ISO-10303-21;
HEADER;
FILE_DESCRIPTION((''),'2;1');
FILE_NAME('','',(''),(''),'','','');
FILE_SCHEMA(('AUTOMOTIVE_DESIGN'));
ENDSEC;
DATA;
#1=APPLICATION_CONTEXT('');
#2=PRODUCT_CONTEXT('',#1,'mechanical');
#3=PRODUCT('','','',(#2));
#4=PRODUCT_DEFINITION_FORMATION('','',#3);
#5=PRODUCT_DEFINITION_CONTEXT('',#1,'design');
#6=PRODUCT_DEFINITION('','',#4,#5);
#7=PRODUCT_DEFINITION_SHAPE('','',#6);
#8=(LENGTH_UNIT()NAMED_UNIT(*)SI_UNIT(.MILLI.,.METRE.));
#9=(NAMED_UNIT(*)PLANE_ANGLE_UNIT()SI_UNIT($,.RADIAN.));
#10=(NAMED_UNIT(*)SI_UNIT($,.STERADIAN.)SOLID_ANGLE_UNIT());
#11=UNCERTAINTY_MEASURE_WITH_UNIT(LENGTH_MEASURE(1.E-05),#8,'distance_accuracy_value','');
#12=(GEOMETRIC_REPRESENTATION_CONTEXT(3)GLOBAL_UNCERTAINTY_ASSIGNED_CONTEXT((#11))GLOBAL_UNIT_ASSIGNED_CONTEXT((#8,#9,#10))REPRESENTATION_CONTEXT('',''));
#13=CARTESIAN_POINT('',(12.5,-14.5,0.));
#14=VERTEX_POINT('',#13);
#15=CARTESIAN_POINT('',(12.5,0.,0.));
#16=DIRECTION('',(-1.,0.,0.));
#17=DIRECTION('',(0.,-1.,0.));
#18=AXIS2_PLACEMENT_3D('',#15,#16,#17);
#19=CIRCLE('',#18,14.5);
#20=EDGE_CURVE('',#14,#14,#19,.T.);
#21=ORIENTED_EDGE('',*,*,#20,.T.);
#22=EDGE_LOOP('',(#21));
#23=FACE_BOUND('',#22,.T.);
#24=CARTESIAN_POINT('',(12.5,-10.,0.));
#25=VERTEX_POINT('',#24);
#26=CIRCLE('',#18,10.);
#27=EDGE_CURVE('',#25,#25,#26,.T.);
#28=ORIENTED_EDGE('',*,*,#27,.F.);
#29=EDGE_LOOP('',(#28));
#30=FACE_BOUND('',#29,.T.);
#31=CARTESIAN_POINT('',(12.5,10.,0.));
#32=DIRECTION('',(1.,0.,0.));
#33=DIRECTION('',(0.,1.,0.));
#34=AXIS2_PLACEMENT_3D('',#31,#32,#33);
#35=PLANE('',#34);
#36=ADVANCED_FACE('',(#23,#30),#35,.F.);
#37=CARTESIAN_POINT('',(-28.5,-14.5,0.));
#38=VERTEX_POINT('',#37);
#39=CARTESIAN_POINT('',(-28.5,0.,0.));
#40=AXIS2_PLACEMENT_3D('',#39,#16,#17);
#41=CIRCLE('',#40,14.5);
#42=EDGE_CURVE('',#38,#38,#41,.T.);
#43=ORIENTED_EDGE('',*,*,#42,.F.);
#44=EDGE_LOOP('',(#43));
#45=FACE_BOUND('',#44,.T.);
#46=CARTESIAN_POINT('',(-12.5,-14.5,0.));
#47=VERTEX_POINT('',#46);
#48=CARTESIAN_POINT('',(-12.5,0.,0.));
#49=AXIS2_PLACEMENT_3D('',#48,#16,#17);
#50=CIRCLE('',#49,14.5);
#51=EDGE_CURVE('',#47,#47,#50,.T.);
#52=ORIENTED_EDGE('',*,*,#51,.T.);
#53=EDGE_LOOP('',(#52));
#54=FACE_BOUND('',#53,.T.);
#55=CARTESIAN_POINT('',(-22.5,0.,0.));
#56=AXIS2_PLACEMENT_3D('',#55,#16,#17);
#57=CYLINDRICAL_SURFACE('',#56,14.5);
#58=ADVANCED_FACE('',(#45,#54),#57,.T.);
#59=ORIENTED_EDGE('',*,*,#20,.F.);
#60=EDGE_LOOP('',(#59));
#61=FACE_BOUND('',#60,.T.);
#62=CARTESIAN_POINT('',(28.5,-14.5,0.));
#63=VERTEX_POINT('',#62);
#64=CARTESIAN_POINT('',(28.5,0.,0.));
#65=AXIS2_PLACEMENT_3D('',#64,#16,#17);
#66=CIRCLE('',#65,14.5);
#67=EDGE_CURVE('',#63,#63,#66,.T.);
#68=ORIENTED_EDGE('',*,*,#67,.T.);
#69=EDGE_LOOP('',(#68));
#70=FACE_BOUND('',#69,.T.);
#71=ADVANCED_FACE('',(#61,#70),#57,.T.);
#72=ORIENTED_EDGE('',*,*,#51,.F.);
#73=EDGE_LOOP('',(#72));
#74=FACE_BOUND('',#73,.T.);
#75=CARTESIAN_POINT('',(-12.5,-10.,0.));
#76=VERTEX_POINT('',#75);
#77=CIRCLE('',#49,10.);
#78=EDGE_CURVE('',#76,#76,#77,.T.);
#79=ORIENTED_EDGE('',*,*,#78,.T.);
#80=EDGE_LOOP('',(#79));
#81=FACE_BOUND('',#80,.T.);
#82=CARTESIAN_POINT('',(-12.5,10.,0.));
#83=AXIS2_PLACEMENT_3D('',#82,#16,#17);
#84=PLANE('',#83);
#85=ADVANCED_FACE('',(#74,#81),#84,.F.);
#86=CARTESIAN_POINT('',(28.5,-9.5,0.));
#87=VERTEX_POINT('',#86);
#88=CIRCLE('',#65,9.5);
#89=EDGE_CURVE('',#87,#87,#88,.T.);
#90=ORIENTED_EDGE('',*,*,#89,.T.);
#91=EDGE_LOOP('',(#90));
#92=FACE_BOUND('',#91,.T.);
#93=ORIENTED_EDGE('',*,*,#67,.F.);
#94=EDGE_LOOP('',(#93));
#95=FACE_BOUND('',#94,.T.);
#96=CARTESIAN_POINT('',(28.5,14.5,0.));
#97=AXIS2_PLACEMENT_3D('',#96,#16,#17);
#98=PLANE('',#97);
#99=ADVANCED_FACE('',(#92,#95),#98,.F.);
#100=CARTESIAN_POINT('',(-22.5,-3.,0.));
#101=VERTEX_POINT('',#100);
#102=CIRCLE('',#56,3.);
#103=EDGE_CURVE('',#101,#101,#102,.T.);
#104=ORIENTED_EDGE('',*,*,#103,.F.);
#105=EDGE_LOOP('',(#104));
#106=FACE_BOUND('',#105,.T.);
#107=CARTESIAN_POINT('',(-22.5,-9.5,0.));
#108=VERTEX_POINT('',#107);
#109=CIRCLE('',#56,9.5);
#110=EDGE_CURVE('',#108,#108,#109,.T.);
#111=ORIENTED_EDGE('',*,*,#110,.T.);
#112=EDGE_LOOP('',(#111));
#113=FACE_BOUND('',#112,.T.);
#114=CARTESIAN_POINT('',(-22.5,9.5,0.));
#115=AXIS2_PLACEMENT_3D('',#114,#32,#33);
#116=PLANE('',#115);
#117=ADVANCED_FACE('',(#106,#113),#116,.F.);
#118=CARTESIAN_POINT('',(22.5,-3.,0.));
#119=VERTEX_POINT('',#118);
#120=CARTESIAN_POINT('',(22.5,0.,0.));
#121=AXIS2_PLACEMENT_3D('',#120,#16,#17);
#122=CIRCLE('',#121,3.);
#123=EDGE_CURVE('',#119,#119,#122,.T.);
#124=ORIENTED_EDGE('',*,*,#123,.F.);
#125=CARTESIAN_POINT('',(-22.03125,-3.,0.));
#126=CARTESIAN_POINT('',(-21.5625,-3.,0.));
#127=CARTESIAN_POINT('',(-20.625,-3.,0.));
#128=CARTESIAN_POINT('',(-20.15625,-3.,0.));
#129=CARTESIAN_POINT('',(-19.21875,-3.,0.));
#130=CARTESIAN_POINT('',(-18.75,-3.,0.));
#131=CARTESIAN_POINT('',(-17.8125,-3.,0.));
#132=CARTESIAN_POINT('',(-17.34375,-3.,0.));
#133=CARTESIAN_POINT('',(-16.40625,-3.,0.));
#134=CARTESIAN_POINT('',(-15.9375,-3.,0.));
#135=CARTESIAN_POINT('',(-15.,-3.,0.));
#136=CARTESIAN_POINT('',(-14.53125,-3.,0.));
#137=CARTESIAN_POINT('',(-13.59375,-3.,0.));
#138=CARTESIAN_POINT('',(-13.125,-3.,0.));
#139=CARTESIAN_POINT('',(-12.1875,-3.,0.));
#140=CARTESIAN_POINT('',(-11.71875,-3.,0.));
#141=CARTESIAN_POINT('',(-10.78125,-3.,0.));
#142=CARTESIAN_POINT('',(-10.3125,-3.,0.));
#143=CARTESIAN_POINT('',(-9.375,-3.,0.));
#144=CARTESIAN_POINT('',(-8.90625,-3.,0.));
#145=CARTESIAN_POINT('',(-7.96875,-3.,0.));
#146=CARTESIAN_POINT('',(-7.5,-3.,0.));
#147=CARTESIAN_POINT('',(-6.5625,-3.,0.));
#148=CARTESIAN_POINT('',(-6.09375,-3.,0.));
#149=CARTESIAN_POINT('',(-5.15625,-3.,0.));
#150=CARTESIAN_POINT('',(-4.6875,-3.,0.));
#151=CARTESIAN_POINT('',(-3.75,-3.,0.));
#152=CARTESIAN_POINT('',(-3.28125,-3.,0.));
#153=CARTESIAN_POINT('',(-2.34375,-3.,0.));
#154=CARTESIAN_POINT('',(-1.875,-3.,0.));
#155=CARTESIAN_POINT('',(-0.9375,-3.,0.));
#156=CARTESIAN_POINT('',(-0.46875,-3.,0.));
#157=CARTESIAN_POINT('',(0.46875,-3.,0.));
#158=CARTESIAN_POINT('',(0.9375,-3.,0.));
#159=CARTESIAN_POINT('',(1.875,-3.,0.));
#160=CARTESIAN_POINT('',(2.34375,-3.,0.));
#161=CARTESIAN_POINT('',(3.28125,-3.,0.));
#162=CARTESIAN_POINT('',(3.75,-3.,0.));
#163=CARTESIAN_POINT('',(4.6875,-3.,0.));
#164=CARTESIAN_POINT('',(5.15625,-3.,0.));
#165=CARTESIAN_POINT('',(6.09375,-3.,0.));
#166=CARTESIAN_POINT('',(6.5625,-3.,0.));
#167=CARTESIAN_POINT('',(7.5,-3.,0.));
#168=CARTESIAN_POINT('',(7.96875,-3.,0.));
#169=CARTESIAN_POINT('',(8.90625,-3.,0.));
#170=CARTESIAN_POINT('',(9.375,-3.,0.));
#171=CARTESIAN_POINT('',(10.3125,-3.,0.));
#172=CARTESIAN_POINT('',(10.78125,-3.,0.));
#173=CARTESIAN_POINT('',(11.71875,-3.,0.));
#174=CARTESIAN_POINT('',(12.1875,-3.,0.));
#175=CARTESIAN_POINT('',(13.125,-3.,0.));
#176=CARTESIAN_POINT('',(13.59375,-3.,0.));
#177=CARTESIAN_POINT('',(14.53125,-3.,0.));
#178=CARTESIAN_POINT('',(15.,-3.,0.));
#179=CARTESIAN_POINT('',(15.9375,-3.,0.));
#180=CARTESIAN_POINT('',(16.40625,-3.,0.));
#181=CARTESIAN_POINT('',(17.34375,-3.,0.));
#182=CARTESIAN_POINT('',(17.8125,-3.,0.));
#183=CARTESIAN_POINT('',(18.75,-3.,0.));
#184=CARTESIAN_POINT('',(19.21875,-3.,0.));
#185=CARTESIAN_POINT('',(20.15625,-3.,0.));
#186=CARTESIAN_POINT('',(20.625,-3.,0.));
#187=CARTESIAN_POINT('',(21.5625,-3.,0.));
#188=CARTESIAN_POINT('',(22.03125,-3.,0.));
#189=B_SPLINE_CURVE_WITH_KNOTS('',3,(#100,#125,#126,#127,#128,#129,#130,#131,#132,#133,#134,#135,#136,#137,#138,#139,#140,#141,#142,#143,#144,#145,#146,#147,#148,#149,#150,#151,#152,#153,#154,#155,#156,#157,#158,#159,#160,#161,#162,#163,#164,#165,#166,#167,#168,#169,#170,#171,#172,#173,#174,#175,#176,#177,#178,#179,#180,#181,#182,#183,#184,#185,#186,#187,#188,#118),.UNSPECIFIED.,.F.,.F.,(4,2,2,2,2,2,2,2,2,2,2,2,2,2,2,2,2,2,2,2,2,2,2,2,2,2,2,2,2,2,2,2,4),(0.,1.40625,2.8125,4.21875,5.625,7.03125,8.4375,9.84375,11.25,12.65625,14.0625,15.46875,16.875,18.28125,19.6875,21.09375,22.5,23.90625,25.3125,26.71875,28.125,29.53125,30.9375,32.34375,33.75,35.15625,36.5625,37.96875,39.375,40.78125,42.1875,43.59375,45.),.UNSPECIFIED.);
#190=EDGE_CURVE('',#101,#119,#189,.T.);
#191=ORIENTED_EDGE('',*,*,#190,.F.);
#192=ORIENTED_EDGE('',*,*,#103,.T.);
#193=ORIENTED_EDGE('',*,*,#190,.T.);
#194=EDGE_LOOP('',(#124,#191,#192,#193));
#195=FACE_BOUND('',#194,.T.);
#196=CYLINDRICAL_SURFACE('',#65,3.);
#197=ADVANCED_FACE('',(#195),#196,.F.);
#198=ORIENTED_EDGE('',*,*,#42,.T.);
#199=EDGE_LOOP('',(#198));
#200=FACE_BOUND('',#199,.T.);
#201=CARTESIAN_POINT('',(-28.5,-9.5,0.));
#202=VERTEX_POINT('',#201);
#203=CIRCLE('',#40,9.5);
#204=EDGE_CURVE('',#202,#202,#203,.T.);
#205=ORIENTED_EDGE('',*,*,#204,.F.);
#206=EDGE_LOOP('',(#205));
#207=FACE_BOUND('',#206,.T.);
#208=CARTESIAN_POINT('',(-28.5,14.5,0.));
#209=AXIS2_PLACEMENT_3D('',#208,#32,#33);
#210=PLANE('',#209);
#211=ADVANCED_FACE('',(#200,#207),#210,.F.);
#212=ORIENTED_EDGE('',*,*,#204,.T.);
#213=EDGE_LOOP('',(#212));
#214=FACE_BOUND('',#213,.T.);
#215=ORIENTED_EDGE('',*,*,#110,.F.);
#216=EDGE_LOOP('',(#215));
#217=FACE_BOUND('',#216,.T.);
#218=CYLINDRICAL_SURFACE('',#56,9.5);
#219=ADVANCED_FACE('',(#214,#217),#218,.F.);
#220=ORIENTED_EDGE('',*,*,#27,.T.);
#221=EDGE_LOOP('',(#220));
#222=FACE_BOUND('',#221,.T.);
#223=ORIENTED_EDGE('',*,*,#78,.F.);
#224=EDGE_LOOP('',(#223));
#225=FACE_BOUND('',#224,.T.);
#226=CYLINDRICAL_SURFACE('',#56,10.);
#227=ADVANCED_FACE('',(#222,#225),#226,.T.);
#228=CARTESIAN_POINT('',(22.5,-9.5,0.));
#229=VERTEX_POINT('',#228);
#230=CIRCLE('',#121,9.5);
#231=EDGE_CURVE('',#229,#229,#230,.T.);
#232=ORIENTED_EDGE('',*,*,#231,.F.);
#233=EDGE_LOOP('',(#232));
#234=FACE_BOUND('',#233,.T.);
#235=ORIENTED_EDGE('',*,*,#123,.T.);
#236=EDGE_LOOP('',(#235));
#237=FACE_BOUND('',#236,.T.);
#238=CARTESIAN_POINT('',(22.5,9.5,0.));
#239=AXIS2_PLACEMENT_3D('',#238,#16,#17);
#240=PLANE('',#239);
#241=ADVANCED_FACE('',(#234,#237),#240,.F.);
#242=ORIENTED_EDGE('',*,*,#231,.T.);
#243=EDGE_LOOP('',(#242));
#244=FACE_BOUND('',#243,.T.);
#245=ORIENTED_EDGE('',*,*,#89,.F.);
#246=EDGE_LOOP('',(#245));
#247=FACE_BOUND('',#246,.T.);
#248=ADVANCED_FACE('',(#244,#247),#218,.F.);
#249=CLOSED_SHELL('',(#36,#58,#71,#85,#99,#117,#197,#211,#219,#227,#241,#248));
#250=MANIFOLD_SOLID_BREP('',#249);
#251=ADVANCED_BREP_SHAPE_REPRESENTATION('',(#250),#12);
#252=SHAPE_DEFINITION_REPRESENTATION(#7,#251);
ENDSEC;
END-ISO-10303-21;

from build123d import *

# Parameters (mm, degrees)
SKETCH2_R          = 3
CUT_EXTRUDE1_DEPTH = 55.968172609


with BuildPart() as part:
    # Sketch1 → Revolve1 (revolve)
    with BuildSketch(Plane.XY, mode=Mode.PRIVATE) as revolve1_sk:
        Polygon((-12.5, 10), (12.5, 10), (12.5, 14.5), (28.5, 14.5), (28.5, 9.5), (22.5, 9.5), (22.5, 0), (-22.5, 0), (-22.5, 9.5), (-28.5, 9.5), (-28.5, 14.5), (-12.5, 14.5), align=None)
    revolve(revolve1_sk.sketch.rotate(Axis((-22.5, 0, 0), (1, 0, 0)), 180), axis=Axis((-22.5, 0, 0), (1, 0, 0)))

    # Sketch2 → Cut-Extrude1 (cut, through all)
    with BuildSketch(Plane.ZY.offset(22.5)):
        with Locations(Location((0, 0, 0), (0, 0, 270))):
            Circle(SKETCH2_R)
    extrude(amount=-CUT_EXTRUDE1_DEPTH, mode=Mode.SUBTRACT)


solid = part.part
